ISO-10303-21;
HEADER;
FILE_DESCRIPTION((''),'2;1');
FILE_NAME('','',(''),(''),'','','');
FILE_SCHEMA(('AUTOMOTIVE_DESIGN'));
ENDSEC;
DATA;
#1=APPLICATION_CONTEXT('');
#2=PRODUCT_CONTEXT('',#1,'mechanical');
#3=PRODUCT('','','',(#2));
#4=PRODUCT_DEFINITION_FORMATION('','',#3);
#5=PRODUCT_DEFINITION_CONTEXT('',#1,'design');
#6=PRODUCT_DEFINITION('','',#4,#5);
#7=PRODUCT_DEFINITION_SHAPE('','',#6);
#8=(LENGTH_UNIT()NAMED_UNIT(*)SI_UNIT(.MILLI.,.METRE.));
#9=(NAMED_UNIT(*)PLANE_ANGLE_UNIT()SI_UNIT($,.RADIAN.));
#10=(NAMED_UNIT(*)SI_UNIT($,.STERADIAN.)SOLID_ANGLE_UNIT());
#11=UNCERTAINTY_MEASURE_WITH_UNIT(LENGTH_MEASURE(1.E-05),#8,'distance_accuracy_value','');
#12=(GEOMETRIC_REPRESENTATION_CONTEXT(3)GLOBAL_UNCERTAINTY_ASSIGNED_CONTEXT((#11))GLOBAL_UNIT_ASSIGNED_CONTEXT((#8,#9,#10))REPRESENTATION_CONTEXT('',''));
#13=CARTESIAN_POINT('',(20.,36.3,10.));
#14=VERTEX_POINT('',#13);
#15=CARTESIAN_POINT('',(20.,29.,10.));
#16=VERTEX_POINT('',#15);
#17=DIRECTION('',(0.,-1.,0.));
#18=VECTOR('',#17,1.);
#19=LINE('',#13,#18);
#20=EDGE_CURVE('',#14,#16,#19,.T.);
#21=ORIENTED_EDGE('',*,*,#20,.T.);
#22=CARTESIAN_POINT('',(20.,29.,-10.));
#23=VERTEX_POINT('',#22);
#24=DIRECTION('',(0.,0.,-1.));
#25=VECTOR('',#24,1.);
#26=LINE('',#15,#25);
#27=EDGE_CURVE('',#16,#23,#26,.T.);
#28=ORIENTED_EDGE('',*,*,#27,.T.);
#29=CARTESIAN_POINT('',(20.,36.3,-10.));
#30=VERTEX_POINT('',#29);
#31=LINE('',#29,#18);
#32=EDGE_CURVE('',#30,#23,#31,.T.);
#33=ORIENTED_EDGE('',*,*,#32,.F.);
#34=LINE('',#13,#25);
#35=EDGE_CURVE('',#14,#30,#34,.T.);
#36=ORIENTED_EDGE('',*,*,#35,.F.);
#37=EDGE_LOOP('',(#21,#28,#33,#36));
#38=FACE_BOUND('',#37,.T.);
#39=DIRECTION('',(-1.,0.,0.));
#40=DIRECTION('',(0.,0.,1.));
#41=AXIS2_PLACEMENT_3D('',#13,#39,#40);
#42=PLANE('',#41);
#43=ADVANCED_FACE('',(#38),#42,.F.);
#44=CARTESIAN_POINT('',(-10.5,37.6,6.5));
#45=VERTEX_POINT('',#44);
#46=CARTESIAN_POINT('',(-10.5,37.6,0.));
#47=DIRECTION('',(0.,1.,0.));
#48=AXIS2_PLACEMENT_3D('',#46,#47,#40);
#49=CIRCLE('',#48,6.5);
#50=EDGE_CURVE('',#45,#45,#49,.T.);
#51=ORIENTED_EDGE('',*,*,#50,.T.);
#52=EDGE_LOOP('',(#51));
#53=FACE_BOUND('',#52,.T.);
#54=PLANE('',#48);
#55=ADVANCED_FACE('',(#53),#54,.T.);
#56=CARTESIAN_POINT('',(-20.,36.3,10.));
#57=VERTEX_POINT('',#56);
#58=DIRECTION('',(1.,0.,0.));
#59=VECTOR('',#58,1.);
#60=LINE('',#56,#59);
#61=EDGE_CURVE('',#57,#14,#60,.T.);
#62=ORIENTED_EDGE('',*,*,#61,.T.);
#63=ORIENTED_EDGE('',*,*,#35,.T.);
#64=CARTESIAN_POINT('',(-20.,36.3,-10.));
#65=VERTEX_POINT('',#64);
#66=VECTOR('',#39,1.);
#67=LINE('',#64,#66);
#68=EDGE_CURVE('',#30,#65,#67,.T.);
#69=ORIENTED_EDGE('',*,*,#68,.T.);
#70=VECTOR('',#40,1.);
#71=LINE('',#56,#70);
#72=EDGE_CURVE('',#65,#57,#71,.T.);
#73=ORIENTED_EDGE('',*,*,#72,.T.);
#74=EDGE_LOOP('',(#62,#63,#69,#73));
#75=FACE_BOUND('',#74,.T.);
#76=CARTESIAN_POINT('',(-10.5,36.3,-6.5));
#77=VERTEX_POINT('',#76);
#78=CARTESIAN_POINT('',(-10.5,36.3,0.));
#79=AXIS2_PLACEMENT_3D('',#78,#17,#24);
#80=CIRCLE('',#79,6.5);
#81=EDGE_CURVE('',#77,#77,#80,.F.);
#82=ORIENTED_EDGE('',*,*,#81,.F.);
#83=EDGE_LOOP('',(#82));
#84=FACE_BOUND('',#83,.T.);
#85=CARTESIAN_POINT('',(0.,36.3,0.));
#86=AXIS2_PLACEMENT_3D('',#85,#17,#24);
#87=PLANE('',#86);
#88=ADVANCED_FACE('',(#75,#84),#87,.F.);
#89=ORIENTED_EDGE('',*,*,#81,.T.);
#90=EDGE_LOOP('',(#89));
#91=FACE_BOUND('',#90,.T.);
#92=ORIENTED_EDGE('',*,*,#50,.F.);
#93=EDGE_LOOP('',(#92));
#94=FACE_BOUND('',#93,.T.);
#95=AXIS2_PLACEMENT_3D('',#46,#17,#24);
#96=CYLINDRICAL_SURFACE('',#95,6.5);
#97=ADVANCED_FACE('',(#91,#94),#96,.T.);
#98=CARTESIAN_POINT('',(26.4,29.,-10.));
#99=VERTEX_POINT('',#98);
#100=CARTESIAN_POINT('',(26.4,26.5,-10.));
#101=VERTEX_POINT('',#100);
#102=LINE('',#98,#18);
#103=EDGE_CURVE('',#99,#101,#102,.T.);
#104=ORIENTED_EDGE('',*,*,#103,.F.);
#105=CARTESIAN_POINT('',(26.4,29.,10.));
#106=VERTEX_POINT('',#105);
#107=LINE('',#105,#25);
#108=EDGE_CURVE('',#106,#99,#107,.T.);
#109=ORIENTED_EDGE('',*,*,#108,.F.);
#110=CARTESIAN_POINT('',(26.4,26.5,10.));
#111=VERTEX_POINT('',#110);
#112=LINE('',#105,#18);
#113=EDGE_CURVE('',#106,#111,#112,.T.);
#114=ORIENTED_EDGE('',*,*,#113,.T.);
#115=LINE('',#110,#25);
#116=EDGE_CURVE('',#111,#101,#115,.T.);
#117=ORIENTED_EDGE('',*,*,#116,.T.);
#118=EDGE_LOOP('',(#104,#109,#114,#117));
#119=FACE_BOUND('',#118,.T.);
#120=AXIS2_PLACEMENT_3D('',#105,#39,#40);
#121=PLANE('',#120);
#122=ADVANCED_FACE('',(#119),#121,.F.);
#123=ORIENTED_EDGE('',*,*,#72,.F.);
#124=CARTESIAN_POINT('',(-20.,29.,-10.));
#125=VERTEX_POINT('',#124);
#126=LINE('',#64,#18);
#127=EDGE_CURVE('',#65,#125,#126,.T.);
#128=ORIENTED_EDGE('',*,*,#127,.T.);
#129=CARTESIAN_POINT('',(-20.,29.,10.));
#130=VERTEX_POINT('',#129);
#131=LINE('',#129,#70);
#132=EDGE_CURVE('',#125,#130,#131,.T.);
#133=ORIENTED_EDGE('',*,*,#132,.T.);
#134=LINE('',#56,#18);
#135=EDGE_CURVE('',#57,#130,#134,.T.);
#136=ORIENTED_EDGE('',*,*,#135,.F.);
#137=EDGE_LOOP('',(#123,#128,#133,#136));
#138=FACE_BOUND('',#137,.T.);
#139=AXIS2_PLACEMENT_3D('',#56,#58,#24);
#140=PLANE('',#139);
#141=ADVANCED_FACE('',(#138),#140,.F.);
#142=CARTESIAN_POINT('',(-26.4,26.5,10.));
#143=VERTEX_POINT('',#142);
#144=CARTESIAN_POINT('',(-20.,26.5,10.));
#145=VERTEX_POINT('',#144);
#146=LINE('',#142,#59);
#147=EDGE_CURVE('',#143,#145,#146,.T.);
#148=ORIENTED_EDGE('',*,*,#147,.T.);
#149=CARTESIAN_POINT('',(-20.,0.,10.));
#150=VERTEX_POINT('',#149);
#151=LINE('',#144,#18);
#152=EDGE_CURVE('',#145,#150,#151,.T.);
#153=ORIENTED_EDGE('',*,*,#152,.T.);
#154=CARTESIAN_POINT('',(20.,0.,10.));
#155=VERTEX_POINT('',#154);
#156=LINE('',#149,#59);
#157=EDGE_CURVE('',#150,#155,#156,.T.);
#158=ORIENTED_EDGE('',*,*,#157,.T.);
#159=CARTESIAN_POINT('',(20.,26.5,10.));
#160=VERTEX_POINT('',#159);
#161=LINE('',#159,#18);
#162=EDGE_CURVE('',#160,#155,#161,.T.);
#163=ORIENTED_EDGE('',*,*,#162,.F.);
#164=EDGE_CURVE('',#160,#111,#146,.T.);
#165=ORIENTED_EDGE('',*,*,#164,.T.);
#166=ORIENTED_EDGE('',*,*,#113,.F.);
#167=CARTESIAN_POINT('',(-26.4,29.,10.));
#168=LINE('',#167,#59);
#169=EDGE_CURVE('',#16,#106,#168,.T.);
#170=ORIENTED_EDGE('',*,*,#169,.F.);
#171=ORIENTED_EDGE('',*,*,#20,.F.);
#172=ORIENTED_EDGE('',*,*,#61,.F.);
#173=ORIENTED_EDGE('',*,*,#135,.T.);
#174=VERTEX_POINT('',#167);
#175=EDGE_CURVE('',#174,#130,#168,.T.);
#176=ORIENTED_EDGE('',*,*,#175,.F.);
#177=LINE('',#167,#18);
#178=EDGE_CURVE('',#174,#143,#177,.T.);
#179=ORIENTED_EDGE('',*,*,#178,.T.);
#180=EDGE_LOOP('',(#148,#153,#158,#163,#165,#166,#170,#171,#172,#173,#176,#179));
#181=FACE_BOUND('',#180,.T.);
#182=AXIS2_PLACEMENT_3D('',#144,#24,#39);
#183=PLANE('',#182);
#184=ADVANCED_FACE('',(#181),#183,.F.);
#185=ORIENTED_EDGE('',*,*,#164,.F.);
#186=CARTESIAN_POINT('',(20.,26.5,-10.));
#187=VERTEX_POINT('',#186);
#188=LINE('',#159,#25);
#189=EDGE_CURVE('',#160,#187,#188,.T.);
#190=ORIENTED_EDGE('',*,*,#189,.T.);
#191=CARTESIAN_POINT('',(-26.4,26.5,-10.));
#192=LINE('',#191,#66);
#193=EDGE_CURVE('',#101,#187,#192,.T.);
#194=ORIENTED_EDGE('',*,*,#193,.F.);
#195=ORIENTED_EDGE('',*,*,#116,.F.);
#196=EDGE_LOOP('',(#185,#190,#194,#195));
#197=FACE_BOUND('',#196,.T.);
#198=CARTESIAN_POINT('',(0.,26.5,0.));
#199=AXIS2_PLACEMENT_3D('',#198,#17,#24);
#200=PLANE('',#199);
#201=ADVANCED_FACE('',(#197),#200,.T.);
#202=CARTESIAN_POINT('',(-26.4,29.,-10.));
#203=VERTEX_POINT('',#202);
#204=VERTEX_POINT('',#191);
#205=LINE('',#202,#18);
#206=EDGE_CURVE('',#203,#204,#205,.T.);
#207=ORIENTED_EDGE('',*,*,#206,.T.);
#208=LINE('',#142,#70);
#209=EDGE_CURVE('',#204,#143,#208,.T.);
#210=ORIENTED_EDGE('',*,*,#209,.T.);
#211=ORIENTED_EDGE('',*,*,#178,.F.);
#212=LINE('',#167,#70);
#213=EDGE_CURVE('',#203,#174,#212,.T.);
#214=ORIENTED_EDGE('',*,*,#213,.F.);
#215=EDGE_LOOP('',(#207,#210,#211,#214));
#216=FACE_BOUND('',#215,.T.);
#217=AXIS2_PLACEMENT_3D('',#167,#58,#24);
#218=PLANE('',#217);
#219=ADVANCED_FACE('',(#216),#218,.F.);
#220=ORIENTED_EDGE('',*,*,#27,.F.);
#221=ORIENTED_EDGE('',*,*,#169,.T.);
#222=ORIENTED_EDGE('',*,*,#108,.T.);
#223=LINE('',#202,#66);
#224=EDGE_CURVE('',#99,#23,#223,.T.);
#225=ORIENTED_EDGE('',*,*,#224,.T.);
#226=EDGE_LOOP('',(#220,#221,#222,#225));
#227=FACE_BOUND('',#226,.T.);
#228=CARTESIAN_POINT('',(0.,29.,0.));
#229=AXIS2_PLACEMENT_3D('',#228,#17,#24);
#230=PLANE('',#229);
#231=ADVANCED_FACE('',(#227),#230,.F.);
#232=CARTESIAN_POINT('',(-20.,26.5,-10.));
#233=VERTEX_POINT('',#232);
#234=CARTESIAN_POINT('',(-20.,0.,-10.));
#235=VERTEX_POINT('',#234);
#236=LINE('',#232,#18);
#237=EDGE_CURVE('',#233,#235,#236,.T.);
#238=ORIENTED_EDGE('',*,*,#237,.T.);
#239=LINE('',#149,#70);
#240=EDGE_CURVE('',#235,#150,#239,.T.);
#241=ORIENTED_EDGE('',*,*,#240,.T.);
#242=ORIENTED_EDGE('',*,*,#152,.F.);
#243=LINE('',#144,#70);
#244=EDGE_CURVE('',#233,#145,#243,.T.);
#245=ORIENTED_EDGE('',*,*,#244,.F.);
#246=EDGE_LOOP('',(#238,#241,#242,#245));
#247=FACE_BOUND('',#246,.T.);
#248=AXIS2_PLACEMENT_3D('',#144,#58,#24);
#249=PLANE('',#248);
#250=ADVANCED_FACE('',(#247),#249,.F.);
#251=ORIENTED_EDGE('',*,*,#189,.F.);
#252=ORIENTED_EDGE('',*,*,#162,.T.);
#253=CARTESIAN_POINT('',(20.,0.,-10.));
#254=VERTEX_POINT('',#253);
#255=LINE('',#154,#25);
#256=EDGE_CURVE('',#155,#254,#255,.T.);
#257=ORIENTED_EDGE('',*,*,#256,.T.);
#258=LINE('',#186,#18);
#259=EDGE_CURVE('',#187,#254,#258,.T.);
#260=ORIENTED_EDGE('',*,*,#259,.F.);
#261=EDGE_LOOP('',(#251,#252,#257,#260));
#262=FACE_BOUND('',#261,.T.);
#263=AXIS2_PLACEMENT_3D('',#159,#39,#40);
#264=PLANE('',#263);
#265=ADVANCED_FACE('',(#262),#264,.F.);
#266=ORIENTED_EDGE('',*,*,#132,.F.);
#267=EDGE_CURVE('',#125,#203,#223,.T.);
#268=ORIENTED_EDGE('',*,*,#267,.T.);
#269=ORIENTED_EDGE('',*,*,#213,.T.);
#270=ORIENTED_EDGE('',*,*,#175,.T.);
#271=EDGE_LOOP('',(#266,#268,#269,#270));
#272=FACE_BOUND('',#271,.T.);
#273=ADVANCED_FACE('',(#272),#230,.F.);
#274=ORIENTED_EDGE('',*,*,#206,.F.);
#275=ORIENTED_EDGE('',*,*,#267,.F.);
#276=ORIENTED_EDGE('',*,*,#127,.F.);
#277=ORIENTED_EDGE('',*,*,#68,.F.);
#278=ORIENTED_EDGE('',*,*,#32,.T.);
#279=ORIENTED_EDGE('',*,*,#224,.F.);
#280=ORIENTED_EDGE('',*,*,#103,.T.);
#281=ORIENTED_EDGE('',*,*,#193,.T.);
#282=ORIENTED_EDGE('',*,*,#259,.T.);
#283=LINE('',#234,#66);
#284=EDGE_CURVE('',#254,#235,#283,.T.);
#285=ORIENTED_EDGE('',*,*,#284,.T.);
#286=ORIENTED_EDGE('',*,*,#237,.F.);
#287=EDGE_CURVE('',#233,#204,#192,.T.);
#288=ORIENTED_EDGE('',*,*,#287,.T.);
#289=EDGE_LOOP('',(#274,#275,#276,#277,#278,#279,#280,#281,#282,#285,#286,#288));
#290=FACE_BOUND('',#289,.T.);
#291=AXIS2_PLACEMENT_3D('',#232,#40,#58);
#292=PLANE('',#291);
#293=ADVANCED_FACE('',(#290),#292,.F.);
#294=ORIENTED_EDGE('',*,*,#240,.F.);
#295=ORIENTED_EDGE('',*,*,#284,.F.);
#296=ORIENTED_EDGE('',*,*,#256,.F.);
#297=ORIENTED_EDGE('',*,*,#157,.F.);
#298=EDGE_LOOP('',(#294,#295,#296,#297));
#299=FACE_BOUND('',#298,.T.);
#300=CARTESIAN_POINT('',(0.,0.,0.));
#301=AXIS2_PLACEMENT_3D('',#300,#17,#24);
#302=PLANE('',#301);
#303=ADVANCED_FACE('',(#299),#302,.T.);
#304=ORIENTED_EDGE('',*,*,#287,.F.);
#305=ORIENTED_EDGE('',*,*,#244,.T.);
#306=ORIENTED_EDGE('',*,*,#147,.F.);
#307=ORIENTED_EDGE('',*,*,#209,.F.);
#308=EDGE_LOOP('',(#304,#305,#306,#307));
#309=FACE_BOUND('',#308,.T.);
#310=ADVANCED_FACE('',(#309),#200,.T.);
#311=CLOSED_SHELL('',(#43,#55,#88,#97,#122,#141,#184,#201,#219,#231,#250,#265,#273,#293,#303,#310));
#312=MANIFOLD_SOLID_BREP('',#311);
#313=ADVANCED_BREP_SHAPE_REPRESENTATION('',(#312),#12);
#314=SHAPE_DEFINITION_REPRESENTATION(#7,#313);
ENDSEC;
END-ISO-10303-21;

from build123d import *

# Parameters (mm, degrees)
SKETCH1_W           = 40
SKETCH1_H           = 20
BOSS_EXTRUDE1_DEPTH = 26.5
SKETCH2_W           = 52.8
SKETCH2_H           = 20
BOSS_EXTRUDE2_DEPTH = 2.5
SKETCH3_W           = 40
SKETCH3_H           = 20
BOSS_EXTRUDE3_DEPTH = 7.3
SKETCH4_R           = 6.5
BOSS_EXTRUDE4_DEPTH = 1.3


with BuildPart() as part:
    # Sketch1 → Boss-Extrude1 (new body)
    with BuildSketch(Plane(origin=(0, 0, 0), x_dir=(1, 0, 0), z_dir=(0, 1, 0))):
        Rectangle(SKETCH1_W, SKETCH1_H)
    extrude(amount=BOSS_EXTRUDE1_DEPTH)

    # Sketch2 → Boss-Extrude2 (add)
    with BuildSketch(Plane(origin=(0, 26.5, 0), x_dir=(1, 0, 0), z_dir=(0, 1, 0))):
        Rectangle(SKETCH2_W, SKETCH2_H)
    extrude(amount=BOSS_EXTRUDE2_DEPTH)

    # Sketch3 → Boss-Extrude3 (add)
    with BuildSketch(Plane(origin=(0, 29, 0), x_dir=(1, 0, 0), z_dir=(0, 1, 0))):
        Rectangle(SKETCH3_W, SKETCH3_H)
    extrude(amount=BOSS_EXTRUDE3_DEPTH)

    # Sketch4 → Boss-Extrude4 (add)
    with BuildSketch(Plane(origin=(0, 36.3, 0), x_dir=(1, 0, 0), z_dir=(0, 1, 0))):
        with Locations((-10.5, 0)):
            Circle(SKETCH4_R)
    extrude(amount=BOSS_EXTRUDE4_DEPTH)


solid = part.part
